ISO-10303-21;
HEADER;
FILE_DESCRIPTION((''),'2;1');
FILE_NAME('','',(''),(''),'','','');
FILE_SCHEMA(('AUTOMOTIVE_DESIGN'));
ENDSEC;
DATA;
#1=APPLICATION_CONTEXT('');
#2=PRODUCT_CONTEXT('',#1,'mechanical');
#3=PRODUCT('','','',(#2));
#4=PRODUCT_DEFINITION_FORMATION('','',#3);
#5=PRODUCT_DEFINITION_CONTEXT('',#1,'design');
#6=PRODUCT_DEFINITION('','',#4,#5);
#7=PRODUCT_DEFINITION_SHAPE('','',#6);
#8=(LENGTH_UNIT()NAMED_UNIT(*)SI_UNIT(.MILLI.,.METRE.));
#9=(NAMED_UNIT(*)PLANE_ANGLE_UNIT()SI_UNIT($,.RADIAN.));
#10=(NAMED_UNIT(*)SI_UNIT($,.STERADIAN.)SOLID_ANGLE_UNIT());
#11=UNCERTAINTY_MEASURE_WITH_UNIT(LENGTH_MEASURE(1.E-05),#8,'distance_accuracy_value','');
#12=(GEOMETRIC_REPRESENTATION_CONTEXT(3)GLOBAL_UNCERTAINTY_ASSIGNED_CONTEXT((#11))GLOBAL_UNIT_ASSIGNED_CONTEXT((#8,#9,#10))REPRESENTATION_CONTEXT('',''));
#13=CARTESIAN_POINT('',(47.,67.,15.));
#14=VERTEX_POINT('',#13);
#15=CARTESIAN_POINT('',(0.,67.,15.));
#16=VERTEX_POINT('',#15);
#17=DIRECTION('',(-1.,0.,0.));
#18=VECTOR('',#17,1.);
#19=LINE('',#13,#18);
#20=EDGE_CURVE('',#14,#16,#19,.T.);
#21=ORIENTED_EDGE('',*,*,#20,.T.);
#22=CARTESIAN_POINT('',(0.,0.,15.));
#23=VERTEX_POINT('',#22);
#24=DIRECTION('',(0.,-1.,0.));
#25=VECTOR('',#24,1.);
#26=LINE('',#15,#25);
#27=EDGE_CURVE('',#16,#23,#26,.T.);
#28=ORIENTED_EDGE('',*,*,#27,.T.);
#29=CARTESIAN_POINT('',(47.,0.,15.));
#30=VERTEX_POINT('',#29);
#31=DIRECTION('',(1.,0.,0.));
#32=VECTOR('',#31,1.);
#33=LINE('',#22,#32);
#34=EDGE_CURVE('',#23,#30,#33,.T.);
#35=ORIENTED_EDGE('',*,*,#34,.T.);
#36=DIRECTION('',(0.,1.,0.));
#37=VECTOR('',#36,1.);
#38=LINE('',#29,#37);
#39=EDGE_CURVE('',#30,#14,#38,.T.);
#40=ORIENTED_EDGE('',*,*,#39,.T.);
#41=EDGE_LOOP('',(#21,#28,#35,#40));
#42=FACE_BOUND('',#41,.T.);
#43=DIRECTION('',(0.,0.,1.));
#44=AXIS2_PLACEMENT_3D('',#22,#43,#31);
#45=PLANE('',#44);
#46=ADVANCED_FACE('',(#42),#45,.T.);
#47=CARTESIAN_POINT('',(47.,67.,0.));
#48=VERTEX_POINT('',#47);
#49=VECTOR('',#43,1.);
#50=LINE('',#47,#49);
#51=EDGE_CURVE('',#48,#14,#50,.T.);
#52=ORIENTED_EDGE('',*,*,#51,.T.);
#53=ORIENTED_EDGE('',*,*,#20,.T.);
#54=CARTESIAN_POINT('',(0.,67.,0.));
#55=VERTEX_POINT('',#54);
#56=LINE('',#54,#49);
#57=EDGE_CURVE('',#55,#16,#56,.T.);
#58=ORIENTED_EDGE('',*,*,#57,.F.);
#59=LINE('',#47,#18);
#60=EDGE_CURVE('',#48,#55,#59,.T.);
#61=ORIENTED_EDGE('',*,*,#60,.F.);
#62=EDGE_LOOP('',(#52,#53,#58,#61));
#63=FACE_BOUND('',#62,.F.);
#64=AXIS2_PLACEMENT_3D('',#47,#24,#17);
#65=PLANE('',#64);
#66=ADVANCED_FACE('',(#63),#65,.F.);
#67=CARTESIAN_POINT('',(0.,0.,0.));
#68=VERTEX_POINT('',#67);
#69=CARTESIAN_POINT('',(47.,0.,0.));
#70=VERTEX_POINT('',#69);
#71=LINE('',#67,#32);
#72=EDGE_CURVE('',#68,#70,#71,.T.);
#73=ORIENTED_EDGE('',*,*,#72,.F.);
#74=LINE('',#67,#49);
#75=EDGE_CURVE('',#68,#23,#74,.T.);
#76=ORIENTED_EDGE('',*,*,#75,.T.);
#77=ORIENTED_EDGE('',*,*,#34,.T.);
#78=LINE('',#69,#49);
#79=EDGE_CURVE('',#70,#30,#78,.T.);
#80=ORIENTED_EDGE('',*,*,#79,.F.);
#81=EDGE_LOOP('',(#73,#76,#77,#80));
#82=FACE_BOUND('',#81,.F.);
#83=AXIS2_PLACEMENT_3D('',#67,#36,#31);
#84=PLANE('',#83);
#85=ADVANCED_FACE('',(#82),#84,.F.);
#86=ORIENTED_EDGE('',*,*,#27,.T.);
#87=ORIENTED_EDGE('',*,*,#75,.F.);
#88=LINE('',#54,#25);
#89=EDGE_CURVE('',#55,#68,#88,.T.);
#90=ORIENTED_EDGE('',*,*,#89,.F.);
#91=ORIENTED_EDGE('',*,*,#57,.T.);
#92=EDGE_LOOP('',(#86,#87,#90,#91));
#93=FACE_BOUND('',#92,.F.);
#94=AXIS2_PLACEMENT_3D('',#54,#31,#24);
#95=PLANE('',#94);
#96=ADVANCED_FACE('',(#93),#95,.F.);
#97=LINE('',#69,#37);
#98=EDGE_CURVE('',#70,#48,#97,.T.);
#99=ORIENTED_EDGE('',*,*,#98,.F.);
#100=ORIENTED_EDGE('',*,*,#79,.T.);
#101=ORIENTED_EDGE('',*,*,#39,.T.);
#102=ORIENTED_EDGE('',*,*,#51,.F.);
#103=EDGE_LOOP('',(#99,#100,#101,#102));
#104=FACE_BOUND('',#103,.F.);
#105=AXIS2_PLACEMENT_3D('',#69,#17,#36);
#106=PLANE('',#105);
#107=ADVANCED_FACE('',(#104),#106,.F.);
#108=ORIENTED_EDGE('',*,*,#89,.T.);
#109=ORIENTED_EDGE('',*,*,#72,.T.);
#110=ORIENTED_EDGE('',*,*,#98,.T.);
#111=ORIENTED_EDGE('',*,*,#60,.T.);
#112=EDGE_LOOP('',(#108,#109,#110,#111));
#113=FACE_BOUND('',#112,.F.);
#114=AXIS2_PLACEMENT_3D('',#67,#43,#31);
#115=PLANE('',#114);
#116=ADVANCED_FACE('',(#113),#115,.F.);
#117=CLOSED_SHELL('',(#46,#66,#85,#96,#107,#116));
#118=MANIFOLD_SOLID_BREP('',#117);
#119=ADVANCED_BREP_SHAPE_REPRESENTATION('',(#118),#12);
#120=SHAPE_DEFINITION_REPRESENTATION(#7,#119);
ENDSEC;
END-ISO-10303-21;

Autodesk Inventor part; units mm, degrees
ref_plane "YZ Plane" through (0, 0, 0) normal (1, 0, 0) x (0, 1, 0)
ref_plane "XZ Plane" through (0, 0, 0) normal (0, 1, 0) x (-1, 0, 0)
ref_plane "XY Plane" through (0, 0, 0) normal (0, 0, 1) x (1, 0, 0)
sketch "スケッチ1" plane through (0, 0, 0) normal (0, 0, 1) x (1, 0, 0)
  line L0 (0, 0) -> (47, 0)
  line L1 (47, 0) -> (47, 67)
  line L2 (47, 67) -> (0, 67)
  line L3 (0, 67) -> (0, 0)
  dimension "d0" = 67
  dimension "d1" = 47
extrude "押し出し1" add sketch "スケッチ1" along normal blind 15
properties part number "3SR11_電池ボックス大"
